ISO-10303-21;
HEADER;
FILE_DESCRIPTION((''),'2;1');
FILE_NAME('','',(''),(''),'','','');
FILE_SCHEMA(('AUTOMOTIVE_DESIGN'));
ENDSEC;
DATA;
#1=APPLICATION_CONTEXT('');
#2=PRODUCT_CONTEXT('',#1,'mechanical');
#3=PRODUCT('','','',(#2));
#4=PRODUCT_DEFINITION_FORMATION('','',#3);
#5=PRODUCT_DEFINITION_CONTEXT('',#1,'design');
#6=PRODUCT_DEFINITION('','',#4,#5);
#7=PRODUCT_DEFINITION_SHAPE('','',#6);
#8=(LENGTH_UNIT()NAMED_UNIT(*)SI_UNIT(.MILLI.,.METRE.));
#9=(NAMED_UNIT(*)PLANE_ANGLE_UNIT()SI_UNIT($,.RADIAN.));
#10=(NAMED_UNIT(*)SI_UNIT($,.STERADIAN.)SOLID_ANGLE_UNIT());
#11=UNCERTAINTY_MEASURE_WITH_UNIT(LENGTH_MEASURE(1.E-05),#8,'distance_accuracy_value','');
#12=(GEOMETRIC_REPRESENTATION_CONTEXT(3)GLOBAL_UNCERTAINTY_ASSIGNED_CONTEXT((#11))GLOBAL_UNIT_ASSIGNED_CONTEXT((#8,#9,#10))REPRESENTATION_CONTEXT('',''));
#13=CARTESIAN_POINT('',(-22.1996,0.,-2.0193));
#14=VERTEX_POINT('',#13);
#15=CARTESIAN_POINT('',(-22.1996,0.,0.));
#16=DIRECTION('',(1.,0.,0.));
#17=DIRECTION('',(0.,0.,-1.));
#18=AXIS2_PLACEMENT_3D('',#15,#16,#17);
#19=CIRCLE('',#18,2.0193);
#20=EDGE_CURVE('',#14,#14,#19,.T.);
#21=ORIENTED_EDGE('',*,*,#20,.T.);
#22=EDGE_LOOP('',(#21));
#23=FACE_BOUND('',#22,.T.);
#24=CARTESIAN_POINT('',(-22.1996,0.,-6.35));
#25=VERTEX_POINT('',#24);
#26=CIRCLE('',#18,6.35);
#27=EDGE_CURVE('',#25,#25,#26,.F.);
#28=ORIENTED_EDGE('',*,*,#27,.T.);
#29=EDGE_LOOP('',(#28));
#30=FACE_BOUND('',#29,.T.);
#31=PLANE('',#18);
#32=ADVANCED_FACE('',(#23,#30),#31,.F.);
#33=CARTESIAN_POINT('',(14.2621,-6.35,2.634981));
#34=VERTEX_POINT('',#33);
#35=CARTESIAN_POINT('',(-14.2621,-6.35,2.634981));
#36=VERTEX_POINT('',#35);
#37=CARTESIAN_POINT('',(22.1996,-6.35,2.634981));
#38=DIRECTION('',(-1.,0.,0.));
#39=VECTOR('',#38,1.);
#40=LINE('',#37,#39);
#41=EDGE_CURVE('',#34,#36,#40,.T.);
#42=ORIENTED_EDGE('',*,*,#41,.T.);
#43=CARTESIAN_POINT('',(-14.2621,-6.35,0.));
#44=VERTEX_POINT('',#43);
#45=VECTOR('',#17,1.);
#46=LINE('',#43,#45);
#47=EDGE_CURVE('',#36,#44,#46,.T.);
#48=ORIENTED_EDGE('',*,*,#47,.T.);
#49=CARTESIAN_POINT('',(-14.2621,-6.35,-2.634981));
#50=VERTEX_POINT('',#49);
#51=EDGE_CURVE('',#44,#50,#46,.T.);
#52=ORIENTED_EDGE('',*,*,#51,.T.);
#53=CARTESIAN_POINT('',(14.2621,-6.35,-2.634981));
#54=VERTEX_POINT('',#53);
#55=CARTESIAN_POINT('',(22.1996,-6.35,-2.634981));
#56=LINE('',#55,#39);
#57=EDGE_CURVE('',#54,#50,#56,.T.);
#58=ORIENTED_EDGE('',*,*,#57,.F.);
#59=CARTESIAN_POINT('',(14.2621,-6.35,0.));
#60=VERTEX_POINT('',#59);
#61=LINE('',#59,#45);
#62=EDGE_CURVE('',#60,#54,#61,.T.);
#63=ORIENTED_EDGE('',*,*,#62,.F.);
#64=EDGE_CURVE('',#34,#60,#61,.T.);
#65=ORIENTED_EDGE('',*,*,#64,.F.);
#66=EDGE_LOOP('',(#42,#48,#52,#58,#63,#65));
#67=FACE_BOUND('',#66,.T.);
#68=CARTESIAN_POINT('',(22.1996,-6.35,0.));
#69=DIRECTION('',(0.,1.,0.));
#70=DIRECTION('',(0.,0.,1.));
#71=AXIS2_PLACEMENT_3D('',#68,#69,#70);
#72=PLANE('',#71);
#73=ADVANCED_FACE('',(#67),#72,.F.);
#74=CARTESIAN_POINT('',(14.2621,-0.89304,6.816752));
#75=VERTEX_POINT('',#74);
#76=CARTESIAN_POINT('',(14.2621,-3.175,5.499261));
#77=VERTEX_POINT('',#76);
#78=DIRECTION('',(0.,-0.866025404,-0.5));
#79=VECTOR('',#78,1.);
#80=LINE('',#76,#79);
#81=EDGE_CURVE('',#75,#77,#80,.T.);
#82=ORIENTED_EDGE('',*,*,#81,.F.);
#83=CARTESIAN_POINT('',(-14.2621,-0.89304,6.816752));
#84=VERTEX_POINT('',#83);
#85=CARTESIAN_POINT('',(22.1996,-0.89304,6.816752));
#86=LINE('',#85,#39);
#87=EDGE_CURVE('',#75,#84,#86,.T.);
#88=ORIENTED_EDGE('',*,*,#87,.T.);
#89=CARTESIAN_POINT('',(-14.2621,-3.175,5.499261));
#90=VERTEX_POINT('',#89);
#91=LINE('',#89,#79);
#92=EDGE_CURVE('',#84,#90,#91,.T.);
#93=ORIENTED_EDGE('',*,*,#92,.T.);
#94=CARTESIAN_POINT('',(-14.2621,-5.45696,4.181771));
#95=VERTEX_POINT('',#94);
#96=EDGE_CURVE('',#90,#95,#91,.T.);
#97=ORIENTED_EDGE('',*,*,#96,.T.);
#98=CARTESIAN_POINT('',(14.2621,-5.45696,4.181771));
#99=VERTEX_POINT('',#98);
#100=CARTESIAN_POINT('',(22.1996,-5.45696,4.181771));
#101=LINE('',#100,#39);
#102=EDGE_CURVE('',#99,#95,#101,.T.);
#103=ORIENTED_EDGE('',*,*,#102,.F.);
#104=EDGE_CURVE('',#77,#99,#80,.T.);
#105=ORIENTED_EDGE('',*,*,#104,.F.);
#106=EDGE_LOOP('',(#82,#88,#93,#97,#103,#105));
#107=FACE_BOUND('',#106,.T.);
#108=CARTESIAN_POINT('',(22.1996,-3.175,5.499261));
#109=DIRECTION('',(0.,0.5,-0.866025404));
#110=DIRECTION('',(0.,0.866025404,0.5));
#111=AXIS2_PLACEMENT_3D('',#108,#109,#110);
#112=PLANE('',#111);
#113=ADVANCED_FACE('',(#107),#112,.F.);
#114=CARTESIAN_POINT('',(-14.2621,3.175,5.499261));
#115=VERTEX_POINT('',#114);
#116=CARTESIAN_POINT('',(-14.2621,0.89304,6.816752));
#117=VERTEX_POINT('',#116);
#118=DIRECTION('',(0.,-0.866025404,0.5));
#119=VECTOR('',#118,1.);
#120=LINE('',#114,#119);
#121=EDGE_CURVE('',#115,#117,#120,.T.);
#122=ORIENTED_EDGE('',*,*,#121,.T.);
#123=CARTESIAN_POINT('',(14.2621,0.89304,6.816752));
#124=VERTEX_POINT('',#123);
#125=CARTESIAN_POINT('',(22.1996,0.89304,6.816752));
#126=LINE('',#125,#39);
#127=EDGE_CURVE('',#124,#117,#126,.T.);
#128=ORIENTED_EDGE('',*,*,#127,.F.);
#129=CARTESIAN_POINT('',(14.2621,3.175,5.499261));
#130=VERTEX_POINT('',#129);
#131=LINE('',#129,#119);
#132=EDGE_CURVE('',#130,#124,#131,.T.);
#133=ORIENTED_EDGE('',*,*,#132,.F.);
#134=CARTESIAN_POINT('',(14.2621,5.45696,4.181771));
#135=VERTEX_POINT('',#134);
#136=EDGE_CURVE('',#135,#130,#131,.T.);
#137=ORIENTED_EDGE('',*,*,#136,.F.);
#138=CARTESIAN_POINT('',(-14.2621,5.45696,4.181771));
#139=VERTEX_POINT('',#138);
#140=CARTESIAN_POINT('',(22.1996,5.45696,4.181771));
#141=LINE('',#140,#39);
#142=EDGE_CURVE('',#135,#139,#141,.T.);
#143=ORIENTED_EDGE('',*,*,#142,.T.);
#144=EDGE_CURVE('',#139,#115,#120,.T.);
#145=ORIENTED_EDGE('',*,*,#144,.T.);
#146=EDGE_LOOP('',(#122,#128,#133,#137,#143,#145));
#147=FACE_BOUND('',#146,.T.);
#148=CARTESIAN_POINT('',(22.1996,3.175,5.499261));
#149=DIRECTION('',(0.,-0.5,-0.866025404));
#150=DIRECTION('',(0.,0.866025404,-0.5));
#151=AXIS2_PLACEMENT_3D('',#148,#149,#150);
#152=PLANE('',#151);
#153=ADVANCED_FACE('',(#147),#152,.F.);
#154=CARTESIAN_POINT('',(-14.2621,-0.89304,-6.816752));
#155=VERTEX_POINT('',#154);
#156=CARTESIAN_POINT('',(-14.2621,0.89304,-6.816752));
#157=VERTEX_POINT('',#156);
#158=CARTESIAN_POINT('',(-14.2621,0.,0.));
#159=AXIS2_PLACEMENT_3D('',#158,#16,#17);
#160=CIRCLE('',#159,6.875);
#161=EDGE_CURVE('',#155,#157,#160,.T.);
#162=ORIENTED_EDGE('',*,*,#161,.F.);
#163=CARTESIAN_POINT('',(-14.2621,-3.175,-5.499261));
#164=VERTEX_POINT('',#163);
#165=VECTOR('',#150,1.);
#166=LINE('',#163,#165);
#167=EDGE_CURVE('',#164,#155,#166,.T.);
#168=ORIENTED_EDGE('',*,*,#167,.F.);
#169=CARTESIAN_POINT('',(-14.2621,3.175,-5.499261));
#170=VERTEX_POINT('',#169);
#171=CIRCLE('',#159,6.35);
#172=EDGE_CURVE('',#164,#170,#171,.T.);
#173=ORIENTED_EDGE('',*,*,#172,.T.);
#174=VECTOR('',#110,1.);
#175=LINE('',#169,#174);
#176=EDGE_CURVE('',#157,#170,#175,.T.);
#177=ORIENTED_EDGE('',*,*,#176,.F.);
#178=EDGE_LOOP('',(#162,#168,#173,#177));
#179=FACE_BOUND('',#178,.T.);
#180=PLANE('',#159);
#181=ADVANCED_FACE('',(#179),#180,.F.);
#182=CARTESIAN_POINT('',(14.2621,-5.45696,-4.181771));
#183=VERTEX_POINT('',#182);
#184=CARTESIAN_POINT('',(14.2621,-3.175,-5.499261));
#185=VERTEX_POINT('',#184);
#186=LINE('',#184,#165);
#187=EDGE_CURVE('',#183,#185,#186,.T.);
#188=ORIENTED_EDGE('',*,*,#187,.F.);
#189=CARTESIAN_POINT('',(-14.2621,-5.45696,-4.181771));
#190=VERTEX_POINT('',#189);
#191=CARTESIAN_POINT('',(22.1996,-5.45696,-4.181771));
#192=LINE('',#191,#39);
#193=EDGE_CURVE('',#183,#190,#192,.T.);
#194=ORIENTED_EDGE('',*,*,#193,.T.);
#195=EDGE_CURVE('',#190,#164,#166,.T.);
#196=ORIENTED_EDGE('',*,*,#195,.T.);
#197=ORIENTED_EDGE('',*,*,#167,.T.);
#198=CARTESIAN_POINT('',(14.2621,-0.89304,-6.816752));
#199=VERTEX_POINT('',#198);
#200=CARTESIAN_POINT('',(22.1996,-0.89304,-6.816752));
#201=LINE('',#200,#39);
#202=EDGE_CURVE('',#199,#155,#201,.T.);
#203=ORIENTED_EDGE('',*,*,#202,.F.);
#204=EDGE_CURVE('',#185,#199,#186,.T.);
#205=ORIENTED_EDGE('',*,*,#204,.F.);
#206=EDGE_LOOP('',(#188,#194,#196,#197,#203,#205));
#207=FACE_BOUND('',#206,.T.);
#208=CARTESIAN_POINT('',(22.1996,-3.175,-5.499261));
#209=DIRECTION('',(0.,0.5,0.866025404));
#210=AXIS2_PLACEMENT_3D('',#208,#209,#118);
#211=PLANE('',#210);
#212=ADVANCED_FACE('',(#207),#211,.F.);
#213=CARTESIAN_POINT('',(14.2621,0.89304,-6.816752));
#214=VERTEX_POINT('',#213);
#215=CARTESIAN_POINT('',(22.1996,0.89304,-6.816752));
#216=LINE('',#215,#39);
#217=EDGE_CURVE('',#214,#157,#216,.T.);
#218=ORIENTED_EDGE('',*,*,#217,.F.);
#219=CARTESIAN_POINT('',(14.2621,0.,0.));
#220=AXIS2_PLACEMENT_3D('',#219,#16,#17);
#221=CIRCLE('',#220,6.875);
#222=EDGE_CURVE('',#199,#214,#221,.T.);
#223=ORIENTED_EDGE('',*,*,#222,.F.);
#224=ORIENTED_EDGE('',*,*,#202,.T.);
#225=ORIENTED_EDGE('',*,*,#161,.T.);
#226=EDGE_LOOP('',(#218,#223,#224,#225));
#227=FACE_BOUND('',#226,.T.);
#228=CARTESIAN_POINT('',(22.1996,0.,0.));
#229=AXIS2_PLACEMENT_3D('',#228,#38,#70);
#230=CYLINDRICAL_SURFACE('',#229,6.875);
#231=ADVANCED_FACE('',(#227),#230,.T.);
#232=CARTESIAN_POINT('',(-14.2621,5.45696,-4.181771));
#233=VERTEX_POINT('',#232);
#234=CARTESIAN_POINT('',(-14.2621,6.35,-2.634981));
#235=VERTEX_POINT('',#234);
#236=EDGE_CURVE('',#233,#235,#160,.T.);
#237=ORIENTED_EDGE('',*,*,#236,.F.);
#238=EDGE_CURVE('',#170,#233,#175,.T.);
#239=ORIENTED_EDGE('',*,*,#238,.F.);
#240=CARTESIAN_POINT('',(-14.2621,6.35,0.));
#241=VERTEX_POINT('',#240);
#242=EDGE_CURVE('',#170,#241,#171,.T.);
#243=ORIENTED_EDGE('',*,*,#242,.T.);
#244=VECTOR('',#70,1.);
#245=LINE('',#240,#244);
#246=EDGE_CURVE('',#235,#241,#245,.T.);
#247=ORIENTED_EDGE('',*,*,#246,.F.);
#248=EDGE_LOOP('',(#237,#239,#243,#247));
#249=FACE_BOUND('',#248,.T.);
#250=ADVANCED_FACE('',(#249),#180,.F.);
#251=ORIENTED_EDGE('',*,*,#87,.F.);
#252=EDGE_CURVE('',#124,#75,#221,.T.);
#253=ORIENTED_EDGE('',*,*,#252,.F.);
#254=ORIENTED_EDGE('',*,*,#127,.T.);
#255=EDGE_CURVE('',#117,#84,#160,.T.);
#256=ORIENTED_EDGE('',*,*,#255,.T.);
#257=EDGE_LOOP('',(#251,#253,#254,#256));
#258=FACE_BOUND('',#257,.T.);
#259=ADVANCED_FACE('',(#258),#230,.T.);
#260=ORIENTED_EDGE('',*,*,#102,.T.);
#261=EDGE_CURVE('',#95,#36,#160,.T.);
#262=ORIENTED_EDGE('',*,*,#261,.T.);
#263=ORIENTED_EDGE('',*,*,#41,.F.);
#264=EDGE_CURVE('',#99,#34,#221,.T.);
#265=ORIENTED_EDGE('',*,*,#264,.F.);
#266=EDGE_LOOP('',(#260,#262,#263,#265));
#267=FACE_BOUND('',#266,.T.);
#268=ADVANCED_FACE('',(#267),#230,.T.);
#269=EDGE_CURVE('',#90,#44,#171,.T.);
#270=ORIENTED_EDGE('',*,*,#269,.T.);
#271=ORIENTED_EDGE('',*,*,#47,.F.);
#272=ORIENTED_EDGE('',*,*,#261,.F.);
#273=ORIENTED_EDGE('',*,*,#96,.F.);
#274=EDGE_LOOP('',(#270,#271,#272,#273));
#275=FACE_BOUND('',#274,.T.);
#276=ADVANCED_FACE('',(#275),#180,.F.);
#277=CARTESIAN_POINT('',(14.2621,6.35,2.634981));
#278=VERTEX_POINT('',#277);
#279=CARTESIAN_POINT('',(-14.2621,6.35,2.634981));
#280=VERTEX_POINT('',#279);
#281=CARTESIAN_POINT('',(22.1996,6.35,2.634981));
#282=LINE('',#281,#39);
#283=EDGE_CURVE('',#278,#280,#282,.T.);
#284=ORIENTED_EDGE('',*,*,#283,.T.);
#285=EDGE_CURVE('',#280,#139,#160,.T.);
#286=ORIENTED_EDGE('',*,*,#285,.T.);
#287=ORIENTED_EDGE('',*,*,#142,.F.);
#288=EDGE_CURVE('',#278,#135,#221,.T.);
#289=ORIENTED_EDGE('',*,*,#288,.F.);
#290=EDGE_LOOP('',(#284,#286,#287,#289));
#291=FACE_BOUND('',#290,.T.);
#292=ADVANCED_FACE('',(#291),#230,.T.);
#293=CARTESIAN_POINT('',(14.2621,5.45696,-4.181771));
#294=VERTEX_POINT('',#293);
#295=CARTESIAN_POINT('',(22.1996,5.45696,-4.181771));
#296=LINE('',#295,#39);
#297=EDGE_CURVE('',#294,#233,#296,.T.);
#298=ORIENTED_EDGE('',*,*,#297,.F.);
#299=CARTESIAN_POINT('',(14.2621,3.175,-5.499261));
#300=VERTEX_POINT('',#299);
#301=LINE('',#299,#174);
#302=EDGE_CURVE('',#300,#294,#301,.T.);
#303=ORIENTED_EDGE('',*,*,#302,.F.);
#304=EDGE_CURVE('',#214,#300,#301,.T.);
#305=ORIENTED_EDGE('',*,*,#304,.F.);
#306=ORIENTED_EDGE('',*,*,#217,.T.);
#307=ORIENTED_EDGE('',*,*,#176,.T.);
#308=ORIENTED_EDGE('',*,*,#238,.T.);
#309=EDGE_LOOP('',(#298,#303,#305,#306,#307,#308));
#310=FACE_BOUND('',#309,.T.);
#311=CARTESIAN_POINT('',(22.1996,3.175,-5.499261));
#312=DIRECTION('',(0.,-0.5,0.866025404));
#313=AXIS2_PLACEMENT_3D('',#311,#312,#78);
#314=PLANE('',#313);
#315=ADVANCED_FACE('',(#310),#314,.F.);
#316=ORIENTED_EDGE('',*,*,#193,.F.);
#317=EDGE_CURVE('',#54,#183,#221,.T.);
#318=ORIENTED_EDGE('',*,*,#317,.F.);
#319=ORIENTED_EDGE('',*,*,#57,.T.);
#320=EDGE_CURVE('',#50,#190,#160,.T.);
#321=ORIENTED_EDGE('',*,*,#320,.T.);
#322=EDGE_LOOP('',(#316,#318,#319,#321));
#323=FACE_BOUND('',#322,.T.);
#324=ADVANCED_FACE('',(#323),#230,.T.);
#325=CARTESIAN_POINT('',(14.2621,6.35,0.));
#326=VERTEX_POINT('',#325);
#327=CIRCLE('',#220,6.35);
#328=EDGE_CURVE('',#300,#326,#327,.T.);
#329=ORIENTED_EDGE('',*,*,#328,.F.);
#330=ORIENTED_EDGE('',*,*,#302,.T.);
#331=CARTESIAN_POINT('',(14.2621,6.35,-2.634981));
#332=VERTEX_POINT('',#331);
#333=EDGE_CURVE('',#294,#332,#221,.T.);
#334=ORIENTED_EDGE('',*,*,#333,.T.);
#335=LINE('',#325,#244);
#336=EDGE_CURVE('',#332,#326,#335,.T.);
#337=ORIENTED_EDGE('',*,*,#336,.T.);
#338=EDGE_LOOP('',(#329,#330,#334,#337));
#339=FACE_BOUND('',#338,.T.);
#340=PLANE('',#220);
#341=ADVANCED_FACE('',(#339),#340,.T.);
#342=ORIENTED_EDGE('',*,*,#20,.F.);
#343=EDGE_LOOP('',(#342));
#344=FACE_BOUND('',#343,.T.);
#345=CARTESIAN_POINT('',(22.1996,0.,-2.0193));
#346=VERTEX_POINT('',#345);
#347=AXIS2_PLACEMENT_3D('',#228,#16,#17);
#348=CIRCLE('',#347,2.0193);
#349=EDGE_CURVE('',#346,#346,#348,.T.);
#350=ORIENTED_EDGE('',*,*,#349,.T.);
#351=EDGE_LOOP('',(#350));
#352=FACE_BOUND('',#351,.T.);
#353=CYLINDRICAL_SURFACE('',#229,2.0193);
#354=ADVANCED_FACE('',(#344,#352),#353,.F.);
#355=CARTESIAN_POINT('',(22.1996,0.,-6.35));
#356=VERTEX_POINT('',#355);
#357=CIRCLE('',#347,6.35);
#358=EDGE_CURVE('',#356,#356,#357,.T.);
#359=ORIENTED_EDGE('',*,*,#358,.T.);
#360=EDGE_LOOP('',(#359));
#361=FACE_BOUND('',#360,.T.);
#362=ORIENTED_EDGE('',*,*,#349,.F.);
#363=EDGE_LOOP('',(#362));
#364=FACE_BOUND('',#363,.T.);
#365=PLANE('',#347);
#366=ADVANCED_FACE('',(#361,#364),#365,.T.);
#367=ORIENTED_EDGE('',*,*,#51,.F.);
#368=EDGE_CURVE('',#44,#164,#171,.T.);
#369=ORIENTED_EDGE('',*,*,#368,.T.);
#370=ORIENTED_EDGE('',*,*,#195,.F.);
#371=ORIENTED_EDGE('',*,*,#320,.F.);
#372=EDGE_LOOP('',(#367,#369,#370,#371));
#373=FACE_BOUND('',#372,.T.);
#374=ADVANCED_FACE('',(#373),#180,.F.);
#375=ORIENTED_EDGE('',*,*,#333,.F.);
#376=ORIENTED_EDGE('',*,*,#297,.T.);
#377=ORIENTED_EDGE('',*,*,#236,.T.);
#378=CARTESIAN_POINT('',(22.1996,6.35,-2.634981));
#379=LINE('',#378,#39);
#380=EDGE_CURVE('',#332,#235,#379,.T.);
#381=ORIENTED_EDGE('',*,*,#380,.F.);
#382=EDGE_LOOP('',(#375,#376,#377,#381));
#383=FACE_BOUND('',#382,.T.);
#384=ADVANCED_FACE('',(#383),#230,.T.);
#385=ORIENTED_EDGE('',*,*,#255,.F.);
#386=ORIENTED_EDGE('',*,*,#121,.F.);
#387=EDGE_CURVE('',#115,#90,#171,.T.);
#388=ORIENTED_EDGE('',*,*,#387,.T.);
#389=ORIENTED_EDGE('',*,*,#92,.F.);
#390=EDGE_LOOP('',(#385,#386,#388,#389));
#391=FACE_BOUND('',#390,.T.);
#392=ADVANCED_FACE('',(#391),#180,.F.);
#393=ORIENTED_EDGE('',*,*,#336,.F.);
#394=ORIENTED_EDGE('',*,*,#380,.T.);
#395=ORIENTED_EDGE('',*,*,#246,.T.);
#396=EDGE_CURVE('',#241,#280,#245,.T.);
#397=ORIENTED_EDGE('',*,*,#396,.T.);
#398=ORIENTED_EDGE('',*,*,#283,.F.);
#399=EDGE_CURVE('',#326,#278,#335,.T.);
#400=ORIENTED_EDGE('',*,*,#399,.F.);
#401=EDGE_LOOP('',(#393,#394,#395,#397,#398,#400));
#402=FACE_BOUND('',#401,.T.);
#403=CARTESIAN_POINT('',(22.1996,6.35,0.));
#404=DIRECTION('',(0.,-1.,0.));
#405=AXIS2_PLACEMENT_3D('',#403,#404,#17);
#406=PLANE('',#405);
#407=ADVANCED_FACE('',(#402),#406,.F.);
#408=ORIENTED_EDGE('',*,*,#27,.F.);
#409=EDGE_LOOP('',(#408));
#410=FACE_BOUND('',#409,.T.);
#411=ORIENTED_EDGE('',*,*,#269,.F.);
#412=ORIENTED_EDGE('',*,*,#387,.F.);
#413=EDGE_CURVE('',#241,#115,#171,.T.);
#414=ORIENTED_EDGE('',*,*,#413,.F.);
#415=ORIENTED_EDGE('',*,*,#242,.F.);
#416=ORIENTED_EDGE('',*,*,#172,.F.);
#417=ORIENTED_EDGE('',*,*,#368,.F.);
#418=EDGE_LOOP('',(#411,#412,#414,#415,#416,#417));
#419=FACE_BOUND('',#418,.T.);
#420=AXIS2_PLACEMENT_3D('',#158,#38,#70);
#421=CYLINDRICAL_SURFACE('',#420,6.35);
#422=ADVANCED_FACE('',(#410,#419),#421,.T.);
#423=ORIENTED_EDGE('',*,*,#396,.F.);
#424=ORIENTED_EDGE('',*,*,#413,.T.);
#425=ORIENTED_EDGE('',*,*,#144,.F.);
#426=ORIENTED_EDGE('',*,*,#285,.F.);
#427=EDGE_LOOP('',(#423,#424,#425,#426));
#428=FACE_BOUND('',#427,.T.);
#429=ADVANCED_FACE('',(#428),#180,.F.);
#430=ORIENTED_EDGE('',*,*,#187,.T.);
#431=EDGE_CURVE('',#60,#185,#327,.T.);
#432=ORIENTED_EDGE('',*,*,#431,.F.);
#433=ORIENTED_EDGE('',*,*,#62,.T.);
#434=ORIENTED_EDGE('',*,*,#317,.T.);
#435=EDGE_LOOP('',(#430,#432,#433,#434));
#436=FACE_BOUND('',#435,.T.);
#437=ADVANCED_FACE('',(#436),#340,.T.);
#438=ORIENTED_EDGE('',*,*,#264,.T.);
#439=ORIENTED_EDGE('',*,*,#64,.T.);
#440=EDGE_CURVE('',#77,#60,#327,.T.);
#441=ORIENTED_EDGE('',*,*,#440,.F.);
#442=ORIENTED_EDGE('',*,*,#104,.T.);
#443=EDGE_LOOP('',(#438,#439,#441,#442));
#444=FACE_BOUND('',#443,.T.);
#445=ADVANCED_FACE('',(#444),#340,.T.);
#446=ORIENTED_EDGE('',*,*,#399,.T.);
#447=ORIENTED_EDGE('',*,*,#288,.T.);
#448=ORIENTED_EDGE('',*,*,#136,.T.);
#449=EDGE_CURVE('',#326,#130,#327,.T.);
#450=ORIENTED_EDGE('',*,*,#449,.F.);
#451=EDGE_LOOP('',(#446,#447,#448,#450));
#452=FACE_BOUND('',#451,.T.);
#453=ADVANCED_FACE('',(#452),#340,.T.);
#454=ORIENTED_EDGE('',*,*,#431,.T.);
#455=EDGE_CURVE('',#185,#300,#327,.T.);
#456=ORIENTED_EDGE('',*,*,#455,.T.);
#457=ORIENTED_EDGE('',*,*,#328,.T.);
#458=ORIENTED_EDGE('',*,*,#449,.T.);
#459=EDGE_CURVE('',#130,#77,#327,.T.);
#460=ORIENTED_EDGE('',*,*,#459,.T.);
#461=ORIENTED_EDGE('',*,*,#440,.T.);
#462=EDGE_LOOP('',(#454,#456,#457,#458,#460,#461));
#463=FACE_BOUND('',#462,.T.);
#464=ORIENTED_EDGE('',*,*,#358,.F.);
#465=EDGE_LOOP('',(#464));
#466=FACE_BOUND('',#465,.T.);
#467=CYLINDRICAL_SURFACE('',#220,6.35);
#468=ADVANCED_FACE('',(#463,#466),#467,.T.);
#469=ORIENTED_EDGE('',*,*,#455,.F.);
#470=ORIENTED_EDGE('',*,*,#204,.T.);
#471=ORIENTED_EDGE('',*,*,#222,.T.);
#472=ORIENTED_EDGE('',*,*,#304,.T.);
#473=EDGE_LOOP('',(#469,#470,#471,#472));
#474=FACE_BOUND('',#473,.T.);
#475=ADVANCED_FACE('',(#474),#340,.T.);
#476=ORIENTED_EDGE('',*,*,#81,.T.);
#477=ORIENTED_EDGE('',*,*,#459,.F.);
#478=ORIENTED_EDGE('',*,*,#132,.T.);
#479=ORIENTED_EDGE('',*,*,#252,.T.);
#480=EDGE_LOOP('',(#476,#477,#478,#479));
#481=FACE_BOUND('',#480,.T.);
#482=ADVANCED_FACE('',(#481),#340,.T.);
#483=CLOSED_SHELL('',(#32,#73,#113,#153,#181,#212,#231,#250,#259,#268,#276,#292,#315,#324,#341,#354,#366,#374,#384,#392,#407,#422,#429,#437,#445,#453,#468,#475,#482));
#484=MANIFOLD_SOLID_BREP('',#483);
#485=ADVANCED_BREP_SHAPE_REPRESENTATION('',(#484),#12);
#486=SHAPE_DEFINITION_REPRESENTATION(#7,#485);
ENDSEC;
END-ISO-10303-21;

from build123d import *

# Parameters (mm, degrees)
SKETCH1_R                            = 2.0193
BOSS_EXTRUDE1_DEPTH                  = 22.1996
F_10_32_TAPPED_HOLE1_D               = 4.0386
F_10_32_TAPPED_HOLE1_DEPTH           = 16.34744
F_10_32_TAPPED_HOLE1_TIP             = 1.213317848
F_10_32_TAPPED_HOLE1_ON_FACE_2_D     = 4.0386
F_10_32_TAPPED_HOLE1_ON_FACE_2_DEPTH = 16.34744
F_10_32_TAPPED_HOLE1_ON_FACE_2_TIP   = 1.213317848
SKETCH3_R                            = 8.89
SKETCH3_R_2                          = 6.35
CUT_EXTRUDE_THIN1_DEPTH              = 7.9375


with BuildPart() as part:
    # Sketch1 → Boss-Extrude1 (new, symmetric)
    with BuildSketch(Plane(origin=(0, 0, 0), x_dir=(0, 0, -1), z_dir=(1, 0, 0))):
        with BuildLine():
            ThreePointArc((4.181770846, 5.456960429), (3.437499983, 5.953924622), (2.634980936, 6.35))
            Line((2.634980936, 6.35), (-2.634980936, 6.35))
            ThreePointArc((-2.634980936, 6.35), (-3.437499983, 5.953924622), (-4.181770846, 5.456960429))
            Line((-4.181770846, 5.456960429), (-6.816751782, 0.893039571))
            ThreePointArc((-6.816751782, 0.893039571), (-6.874999966, 0), (-6.816751782, -0.893039571))
            Line((-6.816751782, -0.893039571), (-4.181770846, -5.456960429))
            ThreePointArc((-4.181770846, -5.456960429), (-3.437499983, -5.953924622), (-2.634980936, -6.35))
            Line((-2.634980936, -6.35), (2.634980936, -6.35))
            ThreePointArc((2.634980936, -6.35), (3.437499983, -5.953924622), (4.181770846, -5.456960429))
            Line((4.181770846, -5.456960429), (6.816751782, -0.893039571))
            ThreePointArc((6.816751782, -0.893039571), (6.860422465, -0.447468582), (6.874999966, 0))
            ThreePointArc((6.874999966, 0), (6.860422465, 0.447468582), (6.816751782, 0.893039571))
            Line((6.816751782, 0.893039571), (4.181770846, 5.456960429))
        make_face()
        Circle(SKETCH1_R, mode=Mode.SUBTRACT)
    extrude(amount=BOSS_EXTRUDE1_DEPTH, both=True)

    # #10-32 Tapped Hole1
    with Locations(Plane(origin=(22.1996, 0, 0), x_dir=(0, 0, 1), z_dir=(1, 0, 0))):
        with Locations((0, 0)):
            Hole(F_10_32_TAPPED_HOLE1_D / 2, depth=F_10_32_TAPPED_HOLE1_DEPTH)
            with Locations((0, 0, -(F_10_32_TAPPED_HOLE1_DEPTH + F_10_32_TAPPED_HOLE1_TIP / 2))):  # 118° drill point
                Cone(0, F_10_32_TAPPED_HOLE1_D / 2, F_10_32_TAPPED_HOLE1_TIP, mode=Mode.SUBTRACT)

    # #10-32 Tapped Hole1 on face 2
    with Locations(Plane(origin=(-22.1996, 0, 0), x_dir=(0, 0, 1), z_dir=(1, 0, 0))):
        with Locations((0, 0)):
            Hole(F_10_32_TAPPED_HOLE1_ON_FACE_2_D / 2, depth=F_10_32_TAPPED_HOLE1_ON_FACE_2_DEPTH)
            with Locations((0, 0, -(F_10_32_TAPPED_HOLE1_ON_FACE_2_DEPTH + F_10_32_TAPPED_HOLE1_ON_FACE_2_TIP / 2))):  # 118° drill point
                Cone(0, F_10_32_TAPPED_HOLE1_ON_FACE_2_D / 2, F_10_32_TAPPED_HOLE1_ON_FACE_2_TIP, mode=Mode.SUBTRACT)

    # Sketch3 → Cut-Extrude-Thin1 (cut)
    with BuildSketch(Plane(origin=(22.1996, 0, 0), x_dir=(0, 0, -1), z_dir=(1, 0, 0))):
        Circle(SKETCH3_R)
        Circle(SKETCH3_R_2, mode=Mode.SUBTRACT)
    cut_extrude_thin1 = extrude(amount=-CUT_EXTRUDE_THIN1_DEPTH, mode=Mode.SUBTRACT)

    # Mirror1: Cut-Extrude-Thin1 across plane
    add(cut_extrude_thin1.mirror(Plane(origin=(0, 0, 0), x_dir=(0, 0, 1), z_dir=(1, 0, 0))), mode=Mode.SUBTRACT)


solid = part.part
